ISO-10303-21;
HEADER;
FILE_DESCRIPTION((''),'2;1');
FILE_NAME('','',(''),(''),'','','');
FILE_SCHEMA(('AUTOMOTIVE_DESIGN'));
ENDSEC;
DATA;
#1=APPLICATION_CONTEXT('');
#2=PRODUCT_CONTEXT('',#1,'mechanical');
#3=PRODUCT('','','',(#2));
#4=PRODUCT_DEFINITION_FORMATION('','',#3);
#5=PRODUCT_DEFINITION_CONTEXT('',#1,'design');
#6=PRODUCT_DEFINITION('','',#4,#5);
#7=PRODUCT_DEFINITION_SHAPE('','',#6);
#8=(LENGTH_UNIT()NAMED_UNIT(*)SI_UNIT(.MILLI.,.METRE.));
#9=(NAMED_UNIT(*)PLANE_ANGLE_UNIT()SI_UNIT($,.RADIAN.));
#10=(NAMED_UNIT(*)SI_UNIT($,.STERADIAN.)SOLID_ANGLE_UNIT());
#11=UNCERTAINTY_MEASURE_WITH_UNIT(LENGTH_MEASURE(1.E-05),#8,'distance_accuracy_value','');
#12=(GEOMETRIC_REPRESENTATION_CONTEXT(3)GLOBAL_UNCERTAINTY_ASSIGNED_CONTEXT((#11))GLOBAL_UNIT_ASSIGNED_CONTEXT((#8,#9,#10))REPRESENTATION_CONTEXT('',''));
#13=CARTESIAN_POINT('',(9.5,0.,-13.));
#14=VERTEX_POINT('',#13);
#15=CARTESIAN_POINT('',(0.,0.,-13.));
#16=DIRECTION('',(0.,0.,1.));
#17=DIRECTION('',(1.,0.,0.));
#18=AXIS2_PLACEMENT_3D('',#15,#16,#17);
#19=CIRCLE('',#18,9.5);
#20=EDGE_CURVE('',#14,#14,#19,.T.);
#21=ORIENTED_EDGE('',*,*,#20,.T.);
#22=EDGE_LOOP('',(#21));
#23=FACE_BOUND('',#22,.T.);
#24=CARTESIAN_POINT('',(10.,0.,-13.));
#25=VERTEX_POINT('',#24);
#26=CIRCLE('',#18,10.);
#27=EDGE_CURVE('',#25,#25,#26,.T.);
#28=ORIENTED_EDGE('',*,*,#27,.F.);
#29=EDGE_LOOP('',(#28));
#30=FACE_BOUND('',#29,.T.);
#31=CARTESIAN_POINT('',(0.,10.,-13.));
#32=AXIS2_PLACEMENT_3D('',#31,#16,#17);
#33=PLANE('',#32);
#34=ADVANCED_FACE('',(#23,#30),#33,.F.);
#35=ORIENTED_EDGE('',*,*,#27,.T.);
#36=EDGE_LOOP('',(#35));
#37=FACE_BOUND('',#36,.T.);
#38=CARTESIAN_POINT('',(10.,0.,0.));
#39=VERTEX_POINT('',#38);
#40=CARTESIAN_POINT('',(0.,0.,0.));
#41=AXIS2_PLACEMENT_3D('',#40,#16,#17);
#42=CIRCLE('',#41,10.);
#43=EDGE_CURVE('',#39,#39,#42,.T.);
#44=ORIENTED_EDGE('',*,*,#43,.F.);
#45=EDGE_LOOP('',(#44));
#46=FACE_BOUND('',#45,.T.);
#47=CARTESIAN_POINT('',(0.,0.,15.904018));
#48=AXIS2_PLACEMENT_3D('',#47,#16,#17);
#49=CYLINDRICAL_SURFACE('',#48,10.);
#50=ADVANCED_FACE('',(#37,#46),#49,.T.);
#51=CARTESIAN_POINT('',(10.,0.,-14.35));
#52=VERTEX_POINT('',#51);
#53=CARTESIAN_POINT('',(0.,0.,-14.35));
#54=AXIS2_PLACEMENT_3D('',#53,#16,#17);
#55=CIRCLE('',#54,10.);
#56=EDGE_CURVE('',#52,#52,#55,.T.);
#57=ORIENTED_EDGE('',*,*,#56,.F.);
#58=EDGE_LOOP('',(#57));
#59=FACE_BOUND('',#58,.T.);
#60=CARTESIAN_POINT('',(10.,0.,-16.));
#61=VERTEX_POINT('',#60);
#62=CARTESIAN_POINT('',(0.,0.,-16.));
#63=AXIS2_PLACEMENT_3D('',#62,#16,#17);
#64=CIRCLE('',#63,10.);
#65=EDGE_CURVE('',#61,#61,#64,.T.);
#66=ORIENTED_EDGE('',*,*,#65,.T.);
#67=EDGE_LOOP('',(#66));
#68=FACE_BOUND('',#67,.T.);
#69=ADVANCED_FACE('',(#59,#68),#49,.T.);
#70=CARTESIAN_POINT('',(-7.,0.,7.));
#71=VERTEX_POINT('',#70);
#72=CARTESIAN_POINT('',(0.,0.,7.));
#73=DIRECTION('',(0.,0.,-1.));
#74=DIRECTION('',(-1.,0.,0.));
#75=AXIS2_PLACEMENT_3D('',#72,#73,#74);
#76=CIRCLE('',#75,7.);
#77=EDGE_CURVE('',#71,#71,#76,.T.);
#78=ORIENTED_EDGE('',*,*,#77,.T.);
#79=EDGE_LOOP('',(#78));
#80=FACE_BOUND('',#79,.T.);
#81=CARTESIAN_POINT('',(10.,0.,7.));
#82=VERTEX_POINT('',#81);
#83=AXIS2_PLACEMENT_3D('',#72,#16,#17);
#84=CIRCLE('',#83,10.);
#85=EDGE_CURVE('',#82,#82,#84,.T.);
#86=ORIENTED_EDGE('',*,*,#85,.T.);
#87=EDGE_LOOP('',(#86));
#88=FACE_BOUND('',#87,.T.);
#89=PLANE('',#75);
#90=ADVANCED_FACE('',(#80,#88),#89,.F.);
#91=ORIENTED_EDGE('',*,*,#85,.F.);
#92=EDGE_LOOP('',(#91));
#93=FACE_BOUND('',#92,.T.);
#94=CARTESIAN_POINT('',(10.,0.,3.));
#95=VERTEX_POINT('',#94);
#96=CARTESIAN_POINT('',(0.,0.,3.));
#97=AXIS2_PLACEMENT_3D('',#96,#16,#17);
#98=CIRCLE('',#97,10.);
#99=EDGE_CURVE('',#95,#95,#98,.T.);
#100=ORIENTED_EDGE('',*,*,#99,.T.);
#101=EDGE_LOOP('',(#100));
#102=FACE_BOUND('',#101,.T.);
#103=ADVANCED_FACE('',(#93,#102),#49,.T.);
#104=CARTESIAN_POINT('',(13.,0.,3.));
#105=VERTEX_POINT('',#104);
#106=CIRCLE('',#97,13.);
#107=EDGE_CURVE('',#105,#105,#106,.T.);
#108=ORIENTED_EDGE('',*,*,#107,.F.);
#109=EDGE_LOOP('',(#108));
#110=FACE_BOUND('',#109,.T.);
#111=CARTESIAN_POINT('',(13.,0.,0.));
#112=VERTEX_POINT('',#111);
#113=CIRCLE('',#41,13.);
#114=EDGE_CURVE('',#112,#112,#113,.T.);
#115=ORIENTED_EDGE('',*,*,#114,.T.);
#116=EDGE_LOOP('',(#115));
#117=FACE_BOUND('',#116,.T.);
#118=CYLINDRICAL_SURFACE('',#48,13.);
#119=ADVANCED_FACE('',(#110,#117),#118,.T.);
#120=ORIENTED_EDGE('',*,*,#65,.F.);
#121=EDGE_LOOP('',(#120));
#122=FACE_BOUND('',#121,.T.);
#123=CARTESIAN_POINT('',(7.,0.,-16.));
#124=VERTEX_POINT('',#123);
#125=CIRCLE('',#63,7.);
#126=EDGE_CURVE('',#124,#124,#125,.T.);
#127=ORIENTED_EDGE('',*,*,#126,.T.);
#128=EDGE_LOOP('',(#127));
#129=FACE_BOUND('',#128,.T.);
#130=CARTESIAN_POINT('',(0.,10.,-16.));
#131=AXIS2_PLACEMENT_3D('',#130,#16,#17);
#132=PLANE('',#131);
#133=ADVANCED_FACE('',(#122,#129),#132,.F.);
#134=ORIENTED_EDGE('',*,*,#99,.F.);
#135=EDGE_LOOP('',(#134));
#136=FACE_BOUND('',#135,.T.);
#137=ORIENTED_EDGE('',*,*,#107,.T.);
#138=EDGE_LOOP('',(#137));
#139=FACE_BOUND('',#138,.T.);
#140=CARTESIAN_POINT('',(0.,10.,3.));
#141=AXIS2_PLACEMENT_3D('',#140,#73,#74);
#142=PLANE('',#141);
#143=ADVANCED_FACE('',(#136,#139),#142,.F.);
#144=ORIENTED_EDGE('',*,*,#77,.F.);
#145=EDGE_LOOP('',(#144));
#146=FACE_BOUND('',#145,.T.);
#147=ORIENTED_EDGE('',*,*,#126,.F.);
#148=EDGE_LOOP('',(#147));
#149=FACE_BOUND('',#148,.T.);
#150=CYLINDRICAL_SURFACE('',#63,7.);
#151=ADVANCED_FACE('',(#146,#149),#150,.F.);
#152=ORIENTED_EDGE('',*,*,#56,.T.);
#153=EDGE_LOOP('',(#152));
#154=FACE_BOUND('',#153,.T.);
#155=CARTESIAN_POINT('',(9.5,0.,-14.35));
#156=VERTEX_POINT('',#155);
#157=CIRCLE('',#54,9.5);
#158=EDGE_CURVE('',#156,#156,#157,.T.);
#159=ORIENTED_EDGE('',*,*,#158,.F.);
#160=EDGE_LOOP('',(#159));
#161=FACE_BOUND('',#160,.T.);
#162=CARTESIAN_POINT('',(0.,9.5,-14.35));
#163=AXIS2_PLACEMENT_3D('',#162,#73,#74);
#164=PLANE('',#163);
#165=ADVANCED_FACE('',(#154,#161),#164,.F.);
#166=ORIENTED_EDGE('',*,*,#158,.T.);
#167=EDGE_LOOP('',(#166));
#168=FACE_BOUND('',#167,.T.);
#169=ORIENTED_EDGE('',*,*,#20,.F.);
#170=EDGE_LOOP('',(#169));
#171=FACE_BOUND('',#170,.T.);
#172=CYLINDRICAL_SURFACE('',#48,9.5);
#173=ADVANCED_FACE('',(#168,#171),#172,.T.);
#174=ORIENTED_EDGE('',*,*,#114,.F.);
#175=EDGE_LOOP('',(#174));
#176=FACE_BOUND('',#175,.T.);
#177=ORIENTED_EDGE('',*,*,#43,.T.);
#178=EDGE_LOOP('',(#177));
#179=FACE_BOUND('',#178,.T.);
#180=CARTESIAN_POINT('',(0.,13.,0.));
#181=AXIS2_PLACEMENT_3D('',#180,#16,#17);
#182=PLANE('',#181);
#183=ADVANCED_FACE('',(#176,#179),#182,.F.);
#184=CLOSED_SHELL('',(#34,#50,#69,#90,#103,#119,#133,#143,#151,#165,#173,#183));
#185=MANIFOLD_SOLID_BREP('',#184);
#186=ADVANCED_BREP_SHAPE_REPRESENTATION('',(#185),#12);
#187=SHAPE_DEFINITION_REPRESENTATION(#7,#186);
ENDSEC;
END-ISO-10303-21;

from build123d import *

# Parameters (mm, degrees)
CUT_EXTRUDE1_DEPTH      = 30.444863729
CUT_EXTRUDE1_DEPTH_BACK = 30.444863729
SKETCH3_R               = 7


with BuildPart() as part:
    # Sketch2 → Revolve1 (revolve)
    with BuildSketch(Plane.YZ, mode=Mode.PRIVATE) as revolve1_sk:
        Polygon((0, 7), (10, 7), (10, 3), (13, 3), (13, 0), (10, 0), (10, -13), (9.5, -13), (9.5, -14.35), (10, -14.35), (10, -16), (0, -16), align=None)
    revolve(revolve1_sk.sketch.rotate(Axis((0, 0, 15.904017857), (0, 0, -1)), 90), axis=Axis((0, 0, 15.904017857), (0, 0, -1)))

    # Sketch3 → Cut-Extrude1 (cut, two sides: drawn at the far end of the back side and taken through both)
    with BuildSketch(Plane.XY.offset(7).offset(-CUT_EXTRUDE1_DEPTH_BACK)):
        Circle(SKETCH3_R)
    extrude(amount=CUT_EXTRUDE1_DEPTH + CUT_EXTRUDE1_DEPTH_BACK, mode=Mode.SUBTRACT)


solid = part.part
